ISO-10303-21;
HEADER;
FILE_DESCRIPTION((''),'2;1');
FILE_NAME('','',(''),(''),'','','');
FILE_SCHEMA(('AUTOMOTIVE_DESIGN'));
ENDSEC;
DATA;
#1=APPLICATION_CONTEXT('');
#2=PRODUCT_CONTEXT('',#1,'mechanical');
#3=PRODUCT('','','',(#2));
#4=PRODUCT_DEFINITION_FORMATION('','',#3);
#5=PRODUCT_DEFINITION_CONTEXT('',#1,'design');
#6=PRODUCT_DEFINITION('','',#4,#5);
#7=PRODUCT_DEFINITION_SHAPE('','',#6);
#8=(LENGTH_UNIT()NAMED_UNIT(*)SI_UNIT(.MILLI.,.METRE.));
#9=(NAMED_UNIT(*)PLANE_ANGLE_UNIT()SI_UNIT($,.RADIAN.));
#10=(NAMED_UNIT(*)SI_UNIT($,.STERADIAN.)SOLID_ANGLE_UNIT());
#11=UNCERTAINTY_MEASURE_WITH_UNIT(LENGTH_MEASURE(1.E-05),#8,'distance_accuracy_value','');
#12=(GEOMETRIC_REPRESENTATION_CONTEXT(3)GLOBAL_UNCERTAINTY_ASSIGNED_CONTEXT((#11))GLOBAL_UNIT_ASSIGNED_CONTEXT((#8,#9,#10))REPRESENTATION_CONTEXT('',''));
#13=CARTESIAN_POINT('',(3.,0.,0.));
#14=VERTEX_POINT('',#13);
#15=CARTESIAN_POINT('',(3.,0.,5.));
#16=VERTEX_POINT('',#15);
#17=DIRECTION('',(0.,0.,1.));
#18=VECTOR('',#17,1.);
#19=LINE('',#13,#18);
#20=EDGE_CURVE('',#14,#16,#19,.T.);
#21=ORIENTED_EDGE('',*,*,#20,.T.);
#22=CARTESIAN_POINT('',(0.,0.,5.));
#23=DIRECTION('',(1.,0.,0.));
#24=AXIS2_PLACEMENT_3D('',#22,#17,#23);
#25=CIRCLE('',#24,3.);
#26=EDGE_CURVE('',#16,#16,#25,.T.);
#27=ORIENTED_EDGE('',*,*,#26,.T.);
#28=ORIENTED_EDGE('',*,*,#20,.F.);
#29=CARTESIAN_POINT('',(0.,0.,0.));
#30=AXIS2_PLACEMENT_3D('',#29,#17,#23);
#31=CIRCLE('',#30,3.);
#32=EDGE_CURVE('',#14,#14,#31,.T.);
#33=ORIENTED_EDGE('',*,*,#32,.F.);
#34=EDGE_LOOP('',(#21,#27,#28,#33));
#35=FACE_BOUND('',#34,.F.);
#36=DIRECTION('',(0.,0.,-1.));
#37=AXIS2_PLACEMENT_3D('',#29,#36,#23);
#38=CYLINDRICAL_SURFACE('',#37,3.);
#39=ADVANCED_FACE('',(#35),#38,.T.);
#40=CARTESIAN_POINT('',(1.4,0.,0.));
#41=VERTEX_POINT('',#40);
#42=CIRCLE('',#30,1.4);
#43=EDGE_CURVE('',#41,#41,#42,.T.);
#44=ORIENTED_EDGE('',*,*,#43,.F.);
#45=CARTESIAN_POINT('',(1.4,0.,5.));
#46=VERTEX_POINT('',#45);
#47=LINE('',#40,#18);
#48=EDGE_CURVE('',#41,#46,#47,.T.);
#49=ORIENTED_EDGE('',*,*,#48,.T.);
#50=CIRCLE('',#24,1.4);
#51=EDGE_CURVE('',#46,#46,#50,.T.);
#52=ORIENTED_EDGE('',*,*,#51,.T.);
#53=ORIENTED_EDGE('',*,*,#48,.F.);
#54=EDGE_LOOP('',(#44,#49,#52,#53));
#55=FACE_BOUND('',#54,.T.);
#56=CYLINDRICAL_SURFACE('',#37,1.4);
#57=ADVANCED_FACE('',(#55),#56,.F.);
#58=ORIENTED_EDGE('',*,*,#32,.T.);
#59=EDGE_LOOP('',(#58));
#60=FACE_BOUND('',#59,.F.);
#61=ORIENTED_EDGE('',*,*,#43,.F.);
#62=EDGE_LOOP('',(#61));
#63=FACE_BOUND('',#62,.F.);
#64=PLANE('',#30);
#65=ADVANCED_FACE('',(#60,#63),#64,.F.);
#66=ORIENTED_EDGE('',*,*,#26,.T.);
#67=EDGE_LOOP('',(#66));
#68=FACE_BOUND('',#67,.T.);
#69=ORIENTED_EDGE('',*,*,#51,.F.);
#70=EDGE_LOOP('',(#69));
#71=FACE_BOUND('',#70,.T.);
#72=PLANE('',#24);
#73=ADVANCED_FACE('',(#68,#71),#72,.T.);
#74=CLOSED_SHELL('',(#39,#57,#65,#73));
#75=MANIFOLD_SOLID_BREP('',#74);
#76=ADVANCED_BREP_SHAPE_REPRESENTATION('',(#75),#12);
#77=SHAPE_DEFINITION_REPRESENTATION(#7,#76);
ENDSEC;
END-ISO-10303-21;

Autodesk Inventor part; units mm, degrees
ref_plane "YZ Plane" through (0, 0, 0) normal (1, 0, 0) x (0, 1, 0)
ref_plane "XZ Plane" through (0, 0, 0) normal (0, 1, 0) x (-1, 0, 0)
ref_plane "XY Plane" through (0, 0, 0) normal (0, 0, 1) x (1, 0, 0)
sketch "スケッチ1" plane through (0, 0, 0) normal (0, 0, 1) x (1, 0, 0)
  circle A0 centre (0, 0) radius 3
  circle A1 centre (0, 0) radius 1.4
  dimension "d0" = 6
  dimension "d1" = 2.8
extrude "押し出し1" add sketch "スケッチ1" along normal blind 5
properties part number "5mm" material "アルミニウム 2014-T4"
